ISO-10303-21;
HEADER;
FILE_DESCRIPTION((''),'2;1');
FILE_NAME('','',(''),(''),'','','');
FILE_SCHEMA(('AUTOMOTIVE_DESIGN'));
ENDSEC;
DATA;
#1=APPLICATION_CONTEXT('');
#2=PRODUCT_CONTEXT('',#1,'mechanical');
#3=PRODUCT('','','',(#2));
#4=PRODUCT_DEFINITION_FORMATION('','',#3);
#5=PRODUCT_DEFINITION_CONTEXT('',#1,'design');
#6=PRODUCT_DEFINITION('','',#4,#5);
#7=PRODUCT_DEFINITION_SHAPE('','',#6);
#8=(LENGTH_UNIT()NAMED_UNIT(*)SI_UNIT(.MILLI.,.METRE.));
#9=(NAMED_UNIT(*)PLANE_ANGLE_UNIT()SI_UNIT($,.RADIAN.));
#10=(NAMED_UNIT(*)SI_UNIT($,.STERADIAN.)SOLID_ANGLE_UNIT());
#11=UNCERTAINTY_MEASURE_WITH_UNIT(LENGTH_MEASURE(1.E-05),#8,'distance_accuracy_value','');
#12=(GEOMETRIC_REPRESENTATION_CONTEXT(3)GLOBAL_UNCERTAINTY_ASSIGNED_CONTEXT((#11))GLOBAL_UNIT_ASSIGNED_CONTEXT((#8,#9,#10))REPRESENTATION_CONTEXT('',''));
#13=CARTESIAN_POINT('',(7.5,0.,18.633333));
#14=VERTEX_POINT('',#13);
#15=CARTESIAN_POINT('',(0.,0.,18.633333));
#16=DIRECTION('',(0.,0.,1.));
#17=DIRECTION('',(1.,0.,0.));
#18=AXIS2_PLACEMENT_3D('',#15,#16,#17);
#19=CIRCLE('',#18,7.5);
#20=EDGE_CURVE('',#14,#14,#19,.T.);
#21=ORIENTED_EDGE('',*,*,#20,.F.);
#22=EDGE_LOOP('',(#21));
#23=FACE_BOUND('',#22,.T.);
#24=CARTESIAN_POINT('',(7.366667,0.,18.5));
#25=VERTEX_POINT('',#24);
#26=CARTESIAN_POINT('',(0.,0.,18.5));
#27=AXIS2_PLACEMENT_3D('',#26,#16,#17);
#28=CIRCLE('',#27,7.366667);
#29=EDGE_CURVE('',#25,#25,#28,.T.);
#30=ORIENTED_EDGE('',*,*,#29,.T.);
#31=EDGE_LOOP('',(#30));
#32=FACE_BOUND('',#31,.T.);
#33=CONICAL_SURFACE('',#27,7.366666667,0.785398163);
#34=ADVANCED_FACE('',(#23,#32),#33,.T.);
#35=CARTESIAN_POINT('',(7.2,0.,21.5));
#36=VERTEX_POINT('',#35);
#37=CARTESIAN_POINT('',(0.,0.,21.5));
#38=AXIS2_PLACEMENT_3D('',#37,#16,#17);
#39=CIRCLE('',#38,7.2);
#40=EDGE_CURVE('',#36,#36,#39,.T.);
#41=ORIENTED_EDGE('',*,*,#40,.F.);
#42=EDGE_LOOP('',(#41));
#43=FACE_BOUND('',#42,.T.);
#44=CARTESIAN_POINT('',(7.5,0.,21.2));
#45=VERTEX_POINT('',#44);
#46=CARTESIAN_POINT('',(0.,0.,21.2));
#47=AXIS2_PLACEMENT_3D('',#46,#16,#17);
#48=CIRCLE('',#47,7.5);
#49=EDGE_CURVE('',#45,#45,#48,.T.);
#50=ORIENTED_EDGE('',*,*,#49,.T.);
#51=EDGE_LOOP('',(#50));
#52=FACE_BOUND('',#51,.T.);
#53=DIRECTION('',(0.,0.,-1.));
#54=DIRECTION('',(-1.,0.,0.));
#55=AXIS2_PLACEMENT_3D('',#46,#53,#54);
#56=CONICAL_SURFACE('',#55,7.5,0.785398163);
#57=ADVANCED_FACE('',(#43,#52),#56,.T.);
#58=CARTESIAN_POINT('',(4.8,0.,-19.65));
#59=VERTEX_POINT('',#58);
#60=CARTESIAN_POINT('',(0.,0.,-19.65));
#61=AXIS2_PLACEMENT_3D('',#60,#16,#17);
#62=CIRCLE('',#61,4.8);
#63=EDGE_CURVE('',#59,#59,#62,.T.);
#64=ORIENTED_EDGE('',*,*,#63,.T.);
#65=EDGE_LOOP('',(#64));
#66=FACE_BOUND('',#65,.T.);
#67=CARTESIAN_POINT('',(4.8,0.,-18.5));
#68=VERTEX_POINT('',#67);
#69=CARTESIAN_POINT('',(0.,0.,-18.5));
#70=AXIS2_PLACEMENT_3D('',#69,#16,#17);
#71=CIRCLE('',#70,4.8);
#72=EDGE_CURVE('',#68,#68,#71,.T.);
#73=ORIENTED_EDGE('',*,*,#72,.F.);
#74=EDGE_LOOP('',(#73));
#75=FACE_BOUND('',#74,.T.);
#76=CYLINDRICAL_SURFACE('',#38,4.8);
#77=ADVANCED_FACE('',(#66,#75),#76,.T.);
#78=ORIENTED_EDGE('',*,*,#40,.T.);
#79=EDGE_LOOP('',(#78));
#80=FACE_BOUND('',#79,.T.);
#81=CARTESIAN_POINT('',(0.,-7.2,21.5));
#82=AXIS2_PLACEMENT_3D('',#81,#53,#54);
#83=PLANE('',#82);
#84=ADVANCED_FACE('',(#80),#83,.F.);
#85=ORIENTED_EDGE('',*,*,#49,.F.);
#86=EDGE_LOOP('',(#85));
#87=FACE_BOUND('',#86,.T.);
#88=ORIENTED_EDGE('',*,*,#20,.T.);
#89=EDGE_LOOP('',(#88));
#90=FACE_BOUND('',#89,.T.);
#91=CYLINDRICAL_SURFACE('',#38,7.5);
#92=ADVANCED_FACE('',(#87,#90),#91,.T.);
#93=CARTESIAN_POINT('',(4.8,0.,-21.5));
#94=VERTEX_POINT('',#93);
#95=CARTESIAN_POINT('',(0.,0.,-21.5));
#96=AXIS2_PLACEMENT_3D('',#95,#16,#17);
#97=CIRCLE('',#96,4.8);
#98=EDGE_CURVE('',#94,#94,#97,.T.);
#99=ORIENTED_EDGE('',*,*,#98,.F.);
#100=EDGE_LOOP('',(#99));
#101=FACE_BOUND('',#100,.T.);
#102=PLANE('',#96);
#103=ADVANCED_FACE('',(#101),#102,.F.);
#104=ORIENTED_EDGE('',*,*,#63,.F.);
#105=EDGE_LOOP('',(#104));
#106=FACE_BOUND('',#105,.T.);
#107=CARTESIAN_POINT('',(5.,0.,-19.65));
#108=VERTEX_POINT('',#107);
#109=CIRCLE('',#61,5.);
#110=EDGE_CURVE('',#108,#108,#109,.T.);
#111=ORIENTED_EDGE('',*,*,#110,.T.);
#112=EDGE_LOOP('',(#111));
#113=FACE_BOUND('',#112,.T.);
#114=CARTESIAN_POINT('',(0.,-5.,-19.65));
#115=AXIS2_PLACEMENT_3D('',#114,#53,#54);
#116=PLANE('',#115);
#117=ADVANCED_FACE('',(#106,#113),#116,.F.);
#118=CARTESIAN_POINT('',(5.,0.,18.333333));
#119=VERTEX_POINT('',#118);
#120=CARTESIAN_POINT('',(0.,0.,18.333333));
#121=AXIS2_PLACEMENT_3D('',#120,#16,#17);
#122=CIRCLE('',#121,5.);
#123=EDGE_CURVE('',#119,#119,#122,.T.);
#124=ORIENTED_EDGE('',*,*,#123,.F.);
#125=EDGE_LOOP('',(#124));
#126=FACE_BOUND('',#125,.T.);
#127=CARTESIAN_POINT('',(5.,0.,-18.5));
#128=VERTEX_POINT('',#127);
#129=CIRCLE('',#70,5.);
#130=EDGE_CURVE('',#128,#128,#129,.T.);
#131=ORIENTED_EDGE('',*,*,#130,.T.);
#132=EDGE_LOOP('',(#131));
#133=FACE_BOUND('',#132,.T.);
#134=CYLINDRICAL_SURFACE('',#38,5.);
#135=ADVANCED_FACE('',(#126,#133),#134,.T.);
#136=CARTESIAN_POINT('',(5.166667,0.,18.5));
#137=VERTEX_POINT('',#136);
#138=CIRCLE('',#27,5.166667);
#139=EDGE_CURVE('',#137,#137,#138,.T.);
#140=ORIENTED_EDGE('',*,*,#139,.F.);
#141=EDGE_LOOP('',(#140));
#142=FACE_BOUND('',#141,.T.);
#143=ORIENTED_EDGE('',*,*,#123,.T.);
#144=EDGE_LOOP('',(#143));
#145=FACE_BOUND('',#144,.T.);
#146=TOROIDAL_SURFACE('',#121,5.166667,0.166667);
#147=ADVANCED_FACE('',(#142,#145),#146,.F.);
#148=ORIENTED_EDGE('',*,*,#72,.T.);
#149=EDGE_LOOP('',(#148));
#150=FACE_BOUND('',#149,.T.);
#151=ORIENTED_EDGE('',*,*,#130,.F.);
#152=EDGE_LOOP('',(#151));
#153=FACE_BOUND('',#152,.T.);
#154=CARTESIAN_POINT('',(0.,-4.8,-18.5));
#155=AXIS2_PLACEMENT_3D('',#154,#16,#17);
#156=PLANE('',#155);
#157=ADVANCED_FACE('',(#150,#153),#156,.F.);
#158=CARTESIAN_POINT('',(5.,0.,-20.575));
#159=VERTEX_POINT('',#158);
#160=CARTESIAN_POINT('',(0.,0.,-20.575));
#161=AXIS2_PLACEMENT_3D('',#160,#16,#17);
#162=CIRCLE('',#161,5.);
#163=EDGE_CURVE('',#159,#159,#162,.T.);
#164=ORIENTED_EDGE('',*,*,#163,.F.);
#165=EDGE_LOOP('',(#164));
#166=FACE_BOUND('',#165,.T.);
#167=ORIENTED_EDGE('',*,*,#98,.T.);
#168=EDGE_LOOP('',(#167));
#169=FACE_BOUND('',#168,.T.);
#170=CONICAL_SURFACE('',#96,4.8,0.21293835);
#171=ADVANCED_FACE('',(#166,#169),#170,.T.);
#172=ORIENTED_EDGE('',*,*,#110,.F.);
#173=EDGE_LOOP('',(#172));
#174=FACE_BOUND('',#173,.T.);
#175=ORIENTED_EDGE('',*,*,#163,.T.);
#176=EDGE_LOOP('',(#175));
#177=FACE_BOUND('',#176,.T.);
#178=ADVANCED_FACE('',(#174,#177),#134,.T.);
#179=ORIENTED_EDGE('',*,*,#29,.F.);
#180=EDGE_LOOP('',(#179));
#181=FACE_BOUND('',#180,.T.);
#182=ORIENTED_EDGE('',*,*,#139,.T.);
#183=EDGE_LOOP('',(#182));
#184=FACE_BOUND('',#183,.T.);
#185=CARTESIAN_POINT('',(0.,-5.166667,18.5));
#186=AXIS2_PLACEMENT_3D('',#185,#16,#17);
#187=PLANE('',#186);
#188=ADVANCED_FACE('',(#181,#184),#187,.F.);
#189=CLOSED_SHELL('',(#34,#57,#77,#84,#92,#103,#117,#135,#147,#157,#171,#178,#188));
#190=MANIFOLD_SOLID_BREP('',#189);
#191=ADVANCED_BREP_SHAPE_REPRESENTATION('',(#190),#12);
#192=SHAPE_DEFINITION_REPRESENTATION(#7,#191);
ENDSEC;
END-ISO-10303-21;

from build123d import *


with BuildPart() as part:
    # 草图3 → 旋转1 (revolve)
    with BuildSketch(Plane(origin=(0, 0, 0), x_dir=(0, 0, -1), z_dir=(1, 0, 0)), mode=Mode.PRIVATE) as revolve_1_sk:
        with BuildLine():
            Line((18.5, 0), (21.5, 0))
            Line((21.5, 0), (21.5, 4.8))
            Line((21.5, 4.8), (20.575, 5))
            Line((20.575, 5), (19.65, 5))
            Line((19.65, 5), (19.65, 4.8))
            Line((19.65, 4.8), (18.5, 4.8))
            Line((18.5, 4.8), (18.5, 5))
            Line((18.5, 5), (0, 5))
            Line((0, 5), (-18.333333333, 5))
            ThreePointArc((-18.333333333, 5), (-18.451184464, 5.048815536), (-18.5, 5.166666667))
            Line((-18.5, 5.166666667), (-18.5, 7.366666667))
            Line((-18.5, 7.366666667), (-18.633333333, 7.5))
            Line((-18.633333333, 7.5), (-21.2, 7.5))
            Line((-21.2, 7.5), (-21.5, 7.2))
            Line((-21.5, 7.2), (-21.5, 0))
            Line((-21.5, 0), (18.5, 0))
        make_face()
    revolve(revolve_1_sk.sketch.rotate(Axis((0, 0, 21.5), (0, 0, -1)), 90), axis=Axis((0, 0, 21.5), (0, 0, -1)))


solid = part.part
